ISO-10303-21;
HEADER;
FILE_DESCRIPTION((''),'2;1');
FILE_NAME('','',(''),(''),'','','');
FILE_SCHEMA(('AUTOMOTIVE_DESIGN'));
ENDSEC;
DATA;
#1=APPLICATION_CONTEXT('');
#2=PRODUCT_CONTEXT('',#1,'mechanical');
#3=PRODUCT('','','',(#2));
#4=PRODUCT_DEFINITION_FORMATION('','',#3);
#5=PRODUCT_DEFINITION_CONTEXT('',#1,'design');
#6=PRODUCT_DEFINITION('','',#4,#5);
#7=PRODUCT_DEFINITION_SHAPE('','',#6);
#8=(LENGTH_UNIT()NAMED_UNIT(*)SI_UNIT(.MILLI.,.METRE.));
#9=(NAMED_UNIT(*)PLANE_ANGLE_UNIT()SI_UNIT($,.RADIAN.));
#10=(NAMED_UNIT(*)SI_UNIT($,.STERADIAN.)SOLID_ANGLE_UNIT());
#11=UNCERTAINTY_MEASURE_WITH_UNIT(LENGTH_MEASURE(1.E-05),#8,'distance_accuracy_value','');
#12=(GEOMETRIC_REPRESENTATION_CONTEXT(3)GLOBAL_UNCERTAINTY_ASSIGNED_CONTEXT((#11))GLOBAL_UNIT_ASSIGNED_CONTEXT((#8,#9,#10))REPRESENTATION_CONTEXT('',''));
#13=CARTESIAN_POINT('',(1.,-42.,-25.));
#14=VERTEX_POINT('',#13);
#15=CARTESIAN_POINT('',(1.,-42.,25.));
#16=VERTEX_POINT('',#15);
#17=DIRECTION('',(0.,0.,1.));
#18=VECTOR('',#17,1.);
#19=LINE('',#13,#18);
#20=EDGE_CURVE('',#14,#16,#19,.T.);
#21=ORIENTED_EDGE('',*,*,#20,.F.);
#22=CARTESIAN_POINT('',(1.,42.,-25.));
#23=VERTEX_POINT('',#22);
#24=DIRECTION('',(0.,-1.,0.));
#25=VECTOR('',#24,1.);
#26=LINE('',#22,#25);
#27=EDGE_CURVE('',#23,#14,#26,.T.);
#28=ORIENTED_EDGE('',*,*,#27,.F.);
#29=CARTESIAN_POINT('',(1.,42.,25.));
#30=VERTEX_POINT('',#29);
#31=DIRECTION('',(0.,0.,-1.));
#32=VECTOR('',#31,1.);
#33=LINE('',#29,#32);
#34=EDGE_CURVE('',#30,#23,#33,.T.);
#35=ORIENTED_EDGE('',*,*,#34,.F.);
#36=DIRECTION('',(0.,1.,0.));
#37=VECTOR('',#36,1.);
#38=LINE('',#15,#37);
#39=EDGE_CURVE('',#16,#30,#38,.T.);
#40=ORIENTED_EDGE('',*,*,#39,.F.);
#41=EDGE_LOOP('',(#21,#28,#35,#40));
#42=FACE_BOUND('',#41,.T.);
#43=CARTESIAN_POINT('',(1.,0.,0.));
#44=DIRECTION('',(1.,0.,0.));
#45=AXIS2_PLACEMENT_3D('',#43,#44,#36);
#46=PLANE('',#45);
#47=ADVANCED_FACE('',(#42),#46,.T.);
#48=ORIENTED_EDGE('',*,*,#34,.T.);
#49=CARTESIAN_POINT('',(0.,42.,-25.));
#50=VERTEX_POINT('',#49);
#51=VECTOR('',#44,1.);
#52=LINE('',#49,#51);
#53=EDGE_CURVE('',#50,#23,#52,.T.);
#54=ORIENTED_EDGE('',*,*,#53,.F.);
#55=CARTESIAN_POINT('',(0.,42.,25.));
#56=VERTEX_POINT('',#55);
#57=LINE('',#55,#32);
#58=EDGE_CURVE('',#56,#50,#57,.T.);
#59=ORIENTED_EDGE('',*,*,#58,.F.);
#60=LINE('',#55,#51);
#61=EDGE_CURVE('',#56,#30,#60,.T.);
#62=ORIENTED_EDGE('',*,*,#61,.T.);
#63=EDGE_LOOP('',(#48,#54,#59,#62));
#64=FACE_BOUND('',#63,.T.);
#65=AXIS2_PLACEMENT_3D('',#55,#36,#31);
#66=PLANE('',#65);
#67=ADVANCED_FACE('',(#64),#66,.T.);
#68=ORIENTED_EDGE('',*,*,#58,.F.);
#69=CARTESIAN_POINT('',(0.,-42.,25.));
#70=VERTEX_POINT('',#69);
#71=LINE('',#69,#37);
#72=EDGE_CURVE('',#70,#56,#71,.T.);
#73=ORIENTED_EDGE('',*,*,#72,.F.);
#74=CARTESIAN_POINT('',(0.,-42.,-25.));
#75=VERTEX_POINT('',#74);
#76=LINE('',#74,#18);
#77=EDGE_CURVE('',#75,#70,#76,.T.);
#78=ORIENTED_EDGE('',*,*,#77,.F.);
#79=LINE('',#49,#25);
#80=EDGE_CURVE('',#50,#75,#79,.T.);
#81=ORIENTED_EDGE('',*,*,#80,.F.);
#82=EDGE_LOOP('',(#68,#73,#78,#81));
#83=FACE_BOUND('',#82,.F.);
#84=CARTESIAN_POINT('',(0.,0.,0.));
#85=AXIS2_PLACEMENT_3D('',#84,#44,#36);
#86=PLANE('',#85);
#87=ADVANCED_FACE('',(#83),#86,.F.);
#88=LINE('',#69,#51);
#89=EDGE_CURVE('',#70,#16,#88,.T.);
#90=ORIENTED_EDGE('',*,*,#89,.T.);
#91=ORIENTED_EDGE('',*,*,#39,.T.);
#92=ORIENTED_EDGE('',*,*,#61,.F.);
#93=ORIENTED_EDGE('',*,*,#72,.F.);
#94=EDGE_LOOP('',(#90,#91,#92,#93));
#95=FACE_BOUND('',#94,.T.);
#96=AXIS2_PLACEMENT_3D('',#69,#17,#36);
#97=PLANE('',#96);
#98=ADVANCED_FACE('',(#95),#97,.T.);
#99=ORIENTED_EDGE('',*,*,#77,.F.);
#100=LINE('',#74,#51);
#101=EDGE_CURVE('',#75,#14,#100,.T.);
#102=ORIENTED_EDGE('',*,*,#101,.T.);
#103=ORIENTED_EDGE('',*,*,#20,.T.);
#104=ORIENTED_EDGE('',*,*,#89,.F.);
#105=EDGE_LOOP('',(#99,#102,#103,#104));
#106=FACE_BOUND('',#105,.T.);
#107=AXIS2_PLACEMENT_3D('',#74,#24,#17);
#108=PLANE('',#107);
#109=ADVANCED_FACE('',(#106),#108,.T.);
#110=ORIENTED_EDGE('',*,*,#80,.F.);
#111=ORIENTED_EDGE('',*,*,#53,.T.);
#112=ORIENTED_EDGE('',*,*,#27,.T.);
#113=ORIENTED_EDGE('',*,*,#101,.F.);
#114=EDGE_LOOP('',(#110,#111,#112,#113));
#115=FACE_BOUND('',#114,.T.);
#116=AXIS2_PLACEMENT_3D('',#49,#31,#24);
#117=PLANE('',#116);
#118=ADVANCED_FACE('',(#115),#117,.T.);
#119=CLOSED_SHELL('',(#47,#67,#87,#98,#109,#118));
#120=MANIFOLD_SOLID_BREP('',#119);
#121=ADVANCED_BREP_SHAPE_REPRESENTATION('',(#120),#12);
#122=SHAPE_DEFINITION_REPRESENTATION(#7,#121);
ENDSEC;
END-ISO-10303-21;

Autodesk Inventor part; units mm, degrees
ref_plane "YZ Plane" through (0, 0, 0) normal (1, 0, 0) x (0, 1, 0)
ref_plane "XZ Plane" through (0, 0, 0) normal (0, 1, 0) x (-1, 0, 0)
ref_plane "XY Plane" through (0, 0, 0) normal (0, 0, 1) x (1, 0, 0)
sketch "Sketch1" plane through (0, 0, 0) normal (1, 0, 0) x (0, 1, 0)
  line L0 (-42, 25) -> (42, 25)
  line L1 (42, 25) -> (42, -25)
  line L2 (42, -25) -> (-42, -25)
  line L3 (-42, -25) -> (-42, 25)
  line L4 (-42, 25) -> (42, -25) construction
  line L5 (42, 25) -> (-42, -25) construction
  point P0 (0, 0)
  dimension "d0" = 84
  dimension "d1" = 50
sketch "Sketch2" plane through (0, 0, 0) normal (1, 0, 0) x (0, 1, 0)
  point P0 (0, 0)
extrude "Extrusion1" add sketch "Sketch1" along normal blind 1
properties part number "CH_01_0042_pcb_layout_PH"
